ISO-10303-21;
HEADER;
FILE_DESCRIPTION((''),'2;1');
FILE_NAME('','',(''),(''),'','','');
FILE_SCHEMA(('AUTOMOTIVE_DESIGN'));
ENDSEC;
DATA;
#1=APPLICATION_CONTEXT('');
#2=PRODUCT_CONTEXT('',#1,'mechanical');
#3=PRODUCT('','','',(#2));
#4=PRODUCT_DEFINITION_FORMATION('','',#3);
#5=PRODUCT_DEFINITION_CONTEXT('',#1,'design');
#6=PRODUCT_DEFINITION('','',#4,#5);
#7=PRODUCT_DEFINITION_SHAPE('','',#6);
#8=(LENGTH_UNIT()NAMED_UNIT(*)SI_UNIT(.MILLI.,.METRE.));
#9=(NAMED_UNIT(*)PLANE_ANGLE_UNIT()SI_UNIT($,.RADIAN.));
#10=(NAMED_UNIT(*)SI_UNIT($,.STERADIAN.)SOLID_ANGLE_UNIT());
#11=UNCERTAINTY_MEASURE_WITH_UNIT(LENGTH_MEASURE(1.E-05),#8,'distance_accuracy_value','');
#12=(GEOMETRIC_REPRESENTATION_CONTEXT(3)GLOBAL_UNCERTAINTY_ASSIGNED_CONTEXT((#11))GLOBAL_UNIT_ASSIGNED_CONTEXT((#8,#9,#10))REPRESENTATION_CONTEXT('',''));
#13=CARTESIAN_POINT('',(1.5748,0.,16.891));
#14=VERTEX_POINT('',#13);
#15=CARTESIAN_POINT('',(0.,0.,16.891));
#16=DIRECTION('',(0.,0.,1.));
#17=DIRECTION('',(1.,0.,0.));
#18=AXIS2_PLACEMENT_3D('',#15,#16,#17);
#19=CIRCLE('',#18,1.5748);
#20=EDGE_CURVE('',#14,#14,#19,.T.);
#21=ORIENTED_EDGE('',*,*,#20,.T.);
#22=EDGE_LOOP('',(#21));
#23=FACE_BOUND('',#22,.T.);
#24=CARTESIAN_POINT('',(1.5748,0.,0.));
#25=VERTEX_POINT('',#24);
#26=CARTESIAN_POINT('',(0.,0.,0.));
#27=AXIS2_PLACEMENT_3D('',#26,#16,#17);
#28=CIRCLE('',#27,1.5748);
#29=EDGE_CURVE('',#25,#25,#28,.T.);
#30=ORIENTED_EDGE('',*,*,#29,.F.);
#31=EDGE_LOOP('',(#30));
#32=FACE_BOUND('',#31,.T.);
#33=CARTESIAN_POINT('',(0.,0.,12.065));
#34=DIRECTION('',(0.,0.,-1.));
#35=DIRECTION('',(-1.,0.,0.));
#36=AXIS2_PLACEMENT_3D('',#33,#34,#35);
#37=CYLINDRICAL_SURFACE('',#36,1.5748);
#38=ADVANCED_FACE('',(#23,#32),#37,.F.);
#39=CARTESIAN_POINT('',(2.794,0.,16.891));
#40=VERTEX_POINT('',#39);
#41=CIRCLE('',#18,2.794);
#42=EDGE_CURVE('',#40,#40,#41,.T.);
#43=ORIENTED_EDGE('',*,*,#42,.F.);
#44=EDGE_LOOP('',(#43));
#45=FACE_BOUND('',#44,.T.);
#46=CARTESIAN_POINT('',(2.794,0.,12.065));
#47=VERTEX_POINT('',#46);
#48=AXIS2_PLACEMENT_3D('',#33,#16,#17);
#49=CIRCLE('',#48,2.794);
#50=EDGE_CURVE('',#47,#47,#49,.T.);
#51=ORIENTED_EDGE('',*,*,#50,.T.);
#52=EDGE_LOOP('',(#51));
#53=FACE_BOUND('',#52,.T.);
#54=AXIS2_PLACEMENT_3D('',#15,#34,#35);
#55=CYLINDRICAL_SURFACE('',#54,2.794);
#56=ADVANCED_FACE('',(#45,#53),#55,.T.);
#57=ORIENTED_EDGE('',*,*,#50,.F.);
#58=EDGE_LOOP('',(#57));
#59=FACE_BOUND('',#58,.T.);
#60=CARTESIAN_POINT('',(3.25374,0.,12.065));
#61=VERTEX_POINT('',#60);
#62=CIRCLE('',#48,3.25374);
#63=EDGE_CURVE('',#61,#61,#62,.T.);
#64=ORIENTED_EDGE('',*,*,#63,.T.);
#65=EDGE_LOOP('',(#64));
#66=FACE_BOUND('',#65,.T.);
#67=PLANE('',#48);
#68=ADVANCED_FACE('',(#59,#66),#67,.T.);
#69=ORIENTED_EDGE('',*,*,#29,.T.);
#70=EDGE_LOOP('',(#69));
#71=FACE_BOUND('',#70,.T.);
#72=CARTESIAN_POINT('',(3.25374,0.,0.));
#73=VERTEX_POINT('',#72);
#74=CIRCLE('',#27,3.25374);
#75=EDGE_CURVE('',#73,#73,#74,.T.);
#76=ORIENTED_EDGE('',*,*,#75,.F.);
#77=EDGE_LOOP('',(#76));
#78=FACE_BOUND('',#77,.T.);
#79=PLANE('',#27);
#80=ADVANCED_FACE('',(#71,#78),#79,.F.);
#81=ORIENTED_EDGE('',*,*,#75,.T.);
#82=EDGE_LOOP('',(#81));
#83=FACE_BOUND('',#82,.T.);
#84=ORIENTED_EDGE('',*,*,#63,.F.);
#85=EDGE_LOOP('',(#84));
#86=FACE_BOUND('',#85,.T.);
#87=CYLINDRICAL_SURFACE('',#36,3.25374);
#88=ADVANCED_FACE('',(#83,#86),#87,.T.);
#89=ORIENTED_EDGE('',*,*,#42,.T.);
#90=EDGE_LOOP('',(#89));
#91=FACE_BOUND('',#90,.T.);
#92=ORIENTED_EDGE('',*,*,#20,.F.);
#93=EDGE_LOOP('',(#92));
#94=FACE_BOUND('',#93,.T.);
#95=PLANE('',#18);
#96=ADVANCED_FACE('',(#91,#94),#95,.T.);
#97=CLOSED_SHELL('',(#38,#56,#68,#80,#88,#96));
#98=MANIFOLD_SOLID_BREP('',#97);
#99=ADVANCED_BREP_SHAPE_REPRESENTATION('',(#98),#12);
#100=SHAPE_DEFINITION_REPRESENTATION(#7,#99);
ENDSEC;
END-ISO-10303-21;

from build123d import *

# Parameters (mm, degrees)
SKETCH1_R           = 3.25374
SKETCH1_R_2         = 1.5748
BOSS_EXTRUDE1_DEPTH = 12.065
SKETCH2_R           = 2.794
SKETCH2_R_2         = 1.5748
BOSS_EXTRUDE2_DEPTH = 4.826


with BuildPart() as part:
    # Sketch1 → Boss-Extrude1 (new body)
    with BuildSketch(Plane.XY):
        Circle(SKETCH1_R)
        Circle(SKETCH1_R_2, mode=Mode.SUBTRACT)
    extrude(amount=BOSS_EXTRUDE1_DEPTH)

    # Sketch2 → Boss-Extrude2 (add)
    with BuildSketch(Plane.XY.offset(12.065)):
        Circle(SKETCH2_R)
        Circle(SKETCH2_R_2, mode=Mode.SUBTRACT)
    extrude(amount=BOSS_EXTRUDE2_DEPTH)


solid = part.part
